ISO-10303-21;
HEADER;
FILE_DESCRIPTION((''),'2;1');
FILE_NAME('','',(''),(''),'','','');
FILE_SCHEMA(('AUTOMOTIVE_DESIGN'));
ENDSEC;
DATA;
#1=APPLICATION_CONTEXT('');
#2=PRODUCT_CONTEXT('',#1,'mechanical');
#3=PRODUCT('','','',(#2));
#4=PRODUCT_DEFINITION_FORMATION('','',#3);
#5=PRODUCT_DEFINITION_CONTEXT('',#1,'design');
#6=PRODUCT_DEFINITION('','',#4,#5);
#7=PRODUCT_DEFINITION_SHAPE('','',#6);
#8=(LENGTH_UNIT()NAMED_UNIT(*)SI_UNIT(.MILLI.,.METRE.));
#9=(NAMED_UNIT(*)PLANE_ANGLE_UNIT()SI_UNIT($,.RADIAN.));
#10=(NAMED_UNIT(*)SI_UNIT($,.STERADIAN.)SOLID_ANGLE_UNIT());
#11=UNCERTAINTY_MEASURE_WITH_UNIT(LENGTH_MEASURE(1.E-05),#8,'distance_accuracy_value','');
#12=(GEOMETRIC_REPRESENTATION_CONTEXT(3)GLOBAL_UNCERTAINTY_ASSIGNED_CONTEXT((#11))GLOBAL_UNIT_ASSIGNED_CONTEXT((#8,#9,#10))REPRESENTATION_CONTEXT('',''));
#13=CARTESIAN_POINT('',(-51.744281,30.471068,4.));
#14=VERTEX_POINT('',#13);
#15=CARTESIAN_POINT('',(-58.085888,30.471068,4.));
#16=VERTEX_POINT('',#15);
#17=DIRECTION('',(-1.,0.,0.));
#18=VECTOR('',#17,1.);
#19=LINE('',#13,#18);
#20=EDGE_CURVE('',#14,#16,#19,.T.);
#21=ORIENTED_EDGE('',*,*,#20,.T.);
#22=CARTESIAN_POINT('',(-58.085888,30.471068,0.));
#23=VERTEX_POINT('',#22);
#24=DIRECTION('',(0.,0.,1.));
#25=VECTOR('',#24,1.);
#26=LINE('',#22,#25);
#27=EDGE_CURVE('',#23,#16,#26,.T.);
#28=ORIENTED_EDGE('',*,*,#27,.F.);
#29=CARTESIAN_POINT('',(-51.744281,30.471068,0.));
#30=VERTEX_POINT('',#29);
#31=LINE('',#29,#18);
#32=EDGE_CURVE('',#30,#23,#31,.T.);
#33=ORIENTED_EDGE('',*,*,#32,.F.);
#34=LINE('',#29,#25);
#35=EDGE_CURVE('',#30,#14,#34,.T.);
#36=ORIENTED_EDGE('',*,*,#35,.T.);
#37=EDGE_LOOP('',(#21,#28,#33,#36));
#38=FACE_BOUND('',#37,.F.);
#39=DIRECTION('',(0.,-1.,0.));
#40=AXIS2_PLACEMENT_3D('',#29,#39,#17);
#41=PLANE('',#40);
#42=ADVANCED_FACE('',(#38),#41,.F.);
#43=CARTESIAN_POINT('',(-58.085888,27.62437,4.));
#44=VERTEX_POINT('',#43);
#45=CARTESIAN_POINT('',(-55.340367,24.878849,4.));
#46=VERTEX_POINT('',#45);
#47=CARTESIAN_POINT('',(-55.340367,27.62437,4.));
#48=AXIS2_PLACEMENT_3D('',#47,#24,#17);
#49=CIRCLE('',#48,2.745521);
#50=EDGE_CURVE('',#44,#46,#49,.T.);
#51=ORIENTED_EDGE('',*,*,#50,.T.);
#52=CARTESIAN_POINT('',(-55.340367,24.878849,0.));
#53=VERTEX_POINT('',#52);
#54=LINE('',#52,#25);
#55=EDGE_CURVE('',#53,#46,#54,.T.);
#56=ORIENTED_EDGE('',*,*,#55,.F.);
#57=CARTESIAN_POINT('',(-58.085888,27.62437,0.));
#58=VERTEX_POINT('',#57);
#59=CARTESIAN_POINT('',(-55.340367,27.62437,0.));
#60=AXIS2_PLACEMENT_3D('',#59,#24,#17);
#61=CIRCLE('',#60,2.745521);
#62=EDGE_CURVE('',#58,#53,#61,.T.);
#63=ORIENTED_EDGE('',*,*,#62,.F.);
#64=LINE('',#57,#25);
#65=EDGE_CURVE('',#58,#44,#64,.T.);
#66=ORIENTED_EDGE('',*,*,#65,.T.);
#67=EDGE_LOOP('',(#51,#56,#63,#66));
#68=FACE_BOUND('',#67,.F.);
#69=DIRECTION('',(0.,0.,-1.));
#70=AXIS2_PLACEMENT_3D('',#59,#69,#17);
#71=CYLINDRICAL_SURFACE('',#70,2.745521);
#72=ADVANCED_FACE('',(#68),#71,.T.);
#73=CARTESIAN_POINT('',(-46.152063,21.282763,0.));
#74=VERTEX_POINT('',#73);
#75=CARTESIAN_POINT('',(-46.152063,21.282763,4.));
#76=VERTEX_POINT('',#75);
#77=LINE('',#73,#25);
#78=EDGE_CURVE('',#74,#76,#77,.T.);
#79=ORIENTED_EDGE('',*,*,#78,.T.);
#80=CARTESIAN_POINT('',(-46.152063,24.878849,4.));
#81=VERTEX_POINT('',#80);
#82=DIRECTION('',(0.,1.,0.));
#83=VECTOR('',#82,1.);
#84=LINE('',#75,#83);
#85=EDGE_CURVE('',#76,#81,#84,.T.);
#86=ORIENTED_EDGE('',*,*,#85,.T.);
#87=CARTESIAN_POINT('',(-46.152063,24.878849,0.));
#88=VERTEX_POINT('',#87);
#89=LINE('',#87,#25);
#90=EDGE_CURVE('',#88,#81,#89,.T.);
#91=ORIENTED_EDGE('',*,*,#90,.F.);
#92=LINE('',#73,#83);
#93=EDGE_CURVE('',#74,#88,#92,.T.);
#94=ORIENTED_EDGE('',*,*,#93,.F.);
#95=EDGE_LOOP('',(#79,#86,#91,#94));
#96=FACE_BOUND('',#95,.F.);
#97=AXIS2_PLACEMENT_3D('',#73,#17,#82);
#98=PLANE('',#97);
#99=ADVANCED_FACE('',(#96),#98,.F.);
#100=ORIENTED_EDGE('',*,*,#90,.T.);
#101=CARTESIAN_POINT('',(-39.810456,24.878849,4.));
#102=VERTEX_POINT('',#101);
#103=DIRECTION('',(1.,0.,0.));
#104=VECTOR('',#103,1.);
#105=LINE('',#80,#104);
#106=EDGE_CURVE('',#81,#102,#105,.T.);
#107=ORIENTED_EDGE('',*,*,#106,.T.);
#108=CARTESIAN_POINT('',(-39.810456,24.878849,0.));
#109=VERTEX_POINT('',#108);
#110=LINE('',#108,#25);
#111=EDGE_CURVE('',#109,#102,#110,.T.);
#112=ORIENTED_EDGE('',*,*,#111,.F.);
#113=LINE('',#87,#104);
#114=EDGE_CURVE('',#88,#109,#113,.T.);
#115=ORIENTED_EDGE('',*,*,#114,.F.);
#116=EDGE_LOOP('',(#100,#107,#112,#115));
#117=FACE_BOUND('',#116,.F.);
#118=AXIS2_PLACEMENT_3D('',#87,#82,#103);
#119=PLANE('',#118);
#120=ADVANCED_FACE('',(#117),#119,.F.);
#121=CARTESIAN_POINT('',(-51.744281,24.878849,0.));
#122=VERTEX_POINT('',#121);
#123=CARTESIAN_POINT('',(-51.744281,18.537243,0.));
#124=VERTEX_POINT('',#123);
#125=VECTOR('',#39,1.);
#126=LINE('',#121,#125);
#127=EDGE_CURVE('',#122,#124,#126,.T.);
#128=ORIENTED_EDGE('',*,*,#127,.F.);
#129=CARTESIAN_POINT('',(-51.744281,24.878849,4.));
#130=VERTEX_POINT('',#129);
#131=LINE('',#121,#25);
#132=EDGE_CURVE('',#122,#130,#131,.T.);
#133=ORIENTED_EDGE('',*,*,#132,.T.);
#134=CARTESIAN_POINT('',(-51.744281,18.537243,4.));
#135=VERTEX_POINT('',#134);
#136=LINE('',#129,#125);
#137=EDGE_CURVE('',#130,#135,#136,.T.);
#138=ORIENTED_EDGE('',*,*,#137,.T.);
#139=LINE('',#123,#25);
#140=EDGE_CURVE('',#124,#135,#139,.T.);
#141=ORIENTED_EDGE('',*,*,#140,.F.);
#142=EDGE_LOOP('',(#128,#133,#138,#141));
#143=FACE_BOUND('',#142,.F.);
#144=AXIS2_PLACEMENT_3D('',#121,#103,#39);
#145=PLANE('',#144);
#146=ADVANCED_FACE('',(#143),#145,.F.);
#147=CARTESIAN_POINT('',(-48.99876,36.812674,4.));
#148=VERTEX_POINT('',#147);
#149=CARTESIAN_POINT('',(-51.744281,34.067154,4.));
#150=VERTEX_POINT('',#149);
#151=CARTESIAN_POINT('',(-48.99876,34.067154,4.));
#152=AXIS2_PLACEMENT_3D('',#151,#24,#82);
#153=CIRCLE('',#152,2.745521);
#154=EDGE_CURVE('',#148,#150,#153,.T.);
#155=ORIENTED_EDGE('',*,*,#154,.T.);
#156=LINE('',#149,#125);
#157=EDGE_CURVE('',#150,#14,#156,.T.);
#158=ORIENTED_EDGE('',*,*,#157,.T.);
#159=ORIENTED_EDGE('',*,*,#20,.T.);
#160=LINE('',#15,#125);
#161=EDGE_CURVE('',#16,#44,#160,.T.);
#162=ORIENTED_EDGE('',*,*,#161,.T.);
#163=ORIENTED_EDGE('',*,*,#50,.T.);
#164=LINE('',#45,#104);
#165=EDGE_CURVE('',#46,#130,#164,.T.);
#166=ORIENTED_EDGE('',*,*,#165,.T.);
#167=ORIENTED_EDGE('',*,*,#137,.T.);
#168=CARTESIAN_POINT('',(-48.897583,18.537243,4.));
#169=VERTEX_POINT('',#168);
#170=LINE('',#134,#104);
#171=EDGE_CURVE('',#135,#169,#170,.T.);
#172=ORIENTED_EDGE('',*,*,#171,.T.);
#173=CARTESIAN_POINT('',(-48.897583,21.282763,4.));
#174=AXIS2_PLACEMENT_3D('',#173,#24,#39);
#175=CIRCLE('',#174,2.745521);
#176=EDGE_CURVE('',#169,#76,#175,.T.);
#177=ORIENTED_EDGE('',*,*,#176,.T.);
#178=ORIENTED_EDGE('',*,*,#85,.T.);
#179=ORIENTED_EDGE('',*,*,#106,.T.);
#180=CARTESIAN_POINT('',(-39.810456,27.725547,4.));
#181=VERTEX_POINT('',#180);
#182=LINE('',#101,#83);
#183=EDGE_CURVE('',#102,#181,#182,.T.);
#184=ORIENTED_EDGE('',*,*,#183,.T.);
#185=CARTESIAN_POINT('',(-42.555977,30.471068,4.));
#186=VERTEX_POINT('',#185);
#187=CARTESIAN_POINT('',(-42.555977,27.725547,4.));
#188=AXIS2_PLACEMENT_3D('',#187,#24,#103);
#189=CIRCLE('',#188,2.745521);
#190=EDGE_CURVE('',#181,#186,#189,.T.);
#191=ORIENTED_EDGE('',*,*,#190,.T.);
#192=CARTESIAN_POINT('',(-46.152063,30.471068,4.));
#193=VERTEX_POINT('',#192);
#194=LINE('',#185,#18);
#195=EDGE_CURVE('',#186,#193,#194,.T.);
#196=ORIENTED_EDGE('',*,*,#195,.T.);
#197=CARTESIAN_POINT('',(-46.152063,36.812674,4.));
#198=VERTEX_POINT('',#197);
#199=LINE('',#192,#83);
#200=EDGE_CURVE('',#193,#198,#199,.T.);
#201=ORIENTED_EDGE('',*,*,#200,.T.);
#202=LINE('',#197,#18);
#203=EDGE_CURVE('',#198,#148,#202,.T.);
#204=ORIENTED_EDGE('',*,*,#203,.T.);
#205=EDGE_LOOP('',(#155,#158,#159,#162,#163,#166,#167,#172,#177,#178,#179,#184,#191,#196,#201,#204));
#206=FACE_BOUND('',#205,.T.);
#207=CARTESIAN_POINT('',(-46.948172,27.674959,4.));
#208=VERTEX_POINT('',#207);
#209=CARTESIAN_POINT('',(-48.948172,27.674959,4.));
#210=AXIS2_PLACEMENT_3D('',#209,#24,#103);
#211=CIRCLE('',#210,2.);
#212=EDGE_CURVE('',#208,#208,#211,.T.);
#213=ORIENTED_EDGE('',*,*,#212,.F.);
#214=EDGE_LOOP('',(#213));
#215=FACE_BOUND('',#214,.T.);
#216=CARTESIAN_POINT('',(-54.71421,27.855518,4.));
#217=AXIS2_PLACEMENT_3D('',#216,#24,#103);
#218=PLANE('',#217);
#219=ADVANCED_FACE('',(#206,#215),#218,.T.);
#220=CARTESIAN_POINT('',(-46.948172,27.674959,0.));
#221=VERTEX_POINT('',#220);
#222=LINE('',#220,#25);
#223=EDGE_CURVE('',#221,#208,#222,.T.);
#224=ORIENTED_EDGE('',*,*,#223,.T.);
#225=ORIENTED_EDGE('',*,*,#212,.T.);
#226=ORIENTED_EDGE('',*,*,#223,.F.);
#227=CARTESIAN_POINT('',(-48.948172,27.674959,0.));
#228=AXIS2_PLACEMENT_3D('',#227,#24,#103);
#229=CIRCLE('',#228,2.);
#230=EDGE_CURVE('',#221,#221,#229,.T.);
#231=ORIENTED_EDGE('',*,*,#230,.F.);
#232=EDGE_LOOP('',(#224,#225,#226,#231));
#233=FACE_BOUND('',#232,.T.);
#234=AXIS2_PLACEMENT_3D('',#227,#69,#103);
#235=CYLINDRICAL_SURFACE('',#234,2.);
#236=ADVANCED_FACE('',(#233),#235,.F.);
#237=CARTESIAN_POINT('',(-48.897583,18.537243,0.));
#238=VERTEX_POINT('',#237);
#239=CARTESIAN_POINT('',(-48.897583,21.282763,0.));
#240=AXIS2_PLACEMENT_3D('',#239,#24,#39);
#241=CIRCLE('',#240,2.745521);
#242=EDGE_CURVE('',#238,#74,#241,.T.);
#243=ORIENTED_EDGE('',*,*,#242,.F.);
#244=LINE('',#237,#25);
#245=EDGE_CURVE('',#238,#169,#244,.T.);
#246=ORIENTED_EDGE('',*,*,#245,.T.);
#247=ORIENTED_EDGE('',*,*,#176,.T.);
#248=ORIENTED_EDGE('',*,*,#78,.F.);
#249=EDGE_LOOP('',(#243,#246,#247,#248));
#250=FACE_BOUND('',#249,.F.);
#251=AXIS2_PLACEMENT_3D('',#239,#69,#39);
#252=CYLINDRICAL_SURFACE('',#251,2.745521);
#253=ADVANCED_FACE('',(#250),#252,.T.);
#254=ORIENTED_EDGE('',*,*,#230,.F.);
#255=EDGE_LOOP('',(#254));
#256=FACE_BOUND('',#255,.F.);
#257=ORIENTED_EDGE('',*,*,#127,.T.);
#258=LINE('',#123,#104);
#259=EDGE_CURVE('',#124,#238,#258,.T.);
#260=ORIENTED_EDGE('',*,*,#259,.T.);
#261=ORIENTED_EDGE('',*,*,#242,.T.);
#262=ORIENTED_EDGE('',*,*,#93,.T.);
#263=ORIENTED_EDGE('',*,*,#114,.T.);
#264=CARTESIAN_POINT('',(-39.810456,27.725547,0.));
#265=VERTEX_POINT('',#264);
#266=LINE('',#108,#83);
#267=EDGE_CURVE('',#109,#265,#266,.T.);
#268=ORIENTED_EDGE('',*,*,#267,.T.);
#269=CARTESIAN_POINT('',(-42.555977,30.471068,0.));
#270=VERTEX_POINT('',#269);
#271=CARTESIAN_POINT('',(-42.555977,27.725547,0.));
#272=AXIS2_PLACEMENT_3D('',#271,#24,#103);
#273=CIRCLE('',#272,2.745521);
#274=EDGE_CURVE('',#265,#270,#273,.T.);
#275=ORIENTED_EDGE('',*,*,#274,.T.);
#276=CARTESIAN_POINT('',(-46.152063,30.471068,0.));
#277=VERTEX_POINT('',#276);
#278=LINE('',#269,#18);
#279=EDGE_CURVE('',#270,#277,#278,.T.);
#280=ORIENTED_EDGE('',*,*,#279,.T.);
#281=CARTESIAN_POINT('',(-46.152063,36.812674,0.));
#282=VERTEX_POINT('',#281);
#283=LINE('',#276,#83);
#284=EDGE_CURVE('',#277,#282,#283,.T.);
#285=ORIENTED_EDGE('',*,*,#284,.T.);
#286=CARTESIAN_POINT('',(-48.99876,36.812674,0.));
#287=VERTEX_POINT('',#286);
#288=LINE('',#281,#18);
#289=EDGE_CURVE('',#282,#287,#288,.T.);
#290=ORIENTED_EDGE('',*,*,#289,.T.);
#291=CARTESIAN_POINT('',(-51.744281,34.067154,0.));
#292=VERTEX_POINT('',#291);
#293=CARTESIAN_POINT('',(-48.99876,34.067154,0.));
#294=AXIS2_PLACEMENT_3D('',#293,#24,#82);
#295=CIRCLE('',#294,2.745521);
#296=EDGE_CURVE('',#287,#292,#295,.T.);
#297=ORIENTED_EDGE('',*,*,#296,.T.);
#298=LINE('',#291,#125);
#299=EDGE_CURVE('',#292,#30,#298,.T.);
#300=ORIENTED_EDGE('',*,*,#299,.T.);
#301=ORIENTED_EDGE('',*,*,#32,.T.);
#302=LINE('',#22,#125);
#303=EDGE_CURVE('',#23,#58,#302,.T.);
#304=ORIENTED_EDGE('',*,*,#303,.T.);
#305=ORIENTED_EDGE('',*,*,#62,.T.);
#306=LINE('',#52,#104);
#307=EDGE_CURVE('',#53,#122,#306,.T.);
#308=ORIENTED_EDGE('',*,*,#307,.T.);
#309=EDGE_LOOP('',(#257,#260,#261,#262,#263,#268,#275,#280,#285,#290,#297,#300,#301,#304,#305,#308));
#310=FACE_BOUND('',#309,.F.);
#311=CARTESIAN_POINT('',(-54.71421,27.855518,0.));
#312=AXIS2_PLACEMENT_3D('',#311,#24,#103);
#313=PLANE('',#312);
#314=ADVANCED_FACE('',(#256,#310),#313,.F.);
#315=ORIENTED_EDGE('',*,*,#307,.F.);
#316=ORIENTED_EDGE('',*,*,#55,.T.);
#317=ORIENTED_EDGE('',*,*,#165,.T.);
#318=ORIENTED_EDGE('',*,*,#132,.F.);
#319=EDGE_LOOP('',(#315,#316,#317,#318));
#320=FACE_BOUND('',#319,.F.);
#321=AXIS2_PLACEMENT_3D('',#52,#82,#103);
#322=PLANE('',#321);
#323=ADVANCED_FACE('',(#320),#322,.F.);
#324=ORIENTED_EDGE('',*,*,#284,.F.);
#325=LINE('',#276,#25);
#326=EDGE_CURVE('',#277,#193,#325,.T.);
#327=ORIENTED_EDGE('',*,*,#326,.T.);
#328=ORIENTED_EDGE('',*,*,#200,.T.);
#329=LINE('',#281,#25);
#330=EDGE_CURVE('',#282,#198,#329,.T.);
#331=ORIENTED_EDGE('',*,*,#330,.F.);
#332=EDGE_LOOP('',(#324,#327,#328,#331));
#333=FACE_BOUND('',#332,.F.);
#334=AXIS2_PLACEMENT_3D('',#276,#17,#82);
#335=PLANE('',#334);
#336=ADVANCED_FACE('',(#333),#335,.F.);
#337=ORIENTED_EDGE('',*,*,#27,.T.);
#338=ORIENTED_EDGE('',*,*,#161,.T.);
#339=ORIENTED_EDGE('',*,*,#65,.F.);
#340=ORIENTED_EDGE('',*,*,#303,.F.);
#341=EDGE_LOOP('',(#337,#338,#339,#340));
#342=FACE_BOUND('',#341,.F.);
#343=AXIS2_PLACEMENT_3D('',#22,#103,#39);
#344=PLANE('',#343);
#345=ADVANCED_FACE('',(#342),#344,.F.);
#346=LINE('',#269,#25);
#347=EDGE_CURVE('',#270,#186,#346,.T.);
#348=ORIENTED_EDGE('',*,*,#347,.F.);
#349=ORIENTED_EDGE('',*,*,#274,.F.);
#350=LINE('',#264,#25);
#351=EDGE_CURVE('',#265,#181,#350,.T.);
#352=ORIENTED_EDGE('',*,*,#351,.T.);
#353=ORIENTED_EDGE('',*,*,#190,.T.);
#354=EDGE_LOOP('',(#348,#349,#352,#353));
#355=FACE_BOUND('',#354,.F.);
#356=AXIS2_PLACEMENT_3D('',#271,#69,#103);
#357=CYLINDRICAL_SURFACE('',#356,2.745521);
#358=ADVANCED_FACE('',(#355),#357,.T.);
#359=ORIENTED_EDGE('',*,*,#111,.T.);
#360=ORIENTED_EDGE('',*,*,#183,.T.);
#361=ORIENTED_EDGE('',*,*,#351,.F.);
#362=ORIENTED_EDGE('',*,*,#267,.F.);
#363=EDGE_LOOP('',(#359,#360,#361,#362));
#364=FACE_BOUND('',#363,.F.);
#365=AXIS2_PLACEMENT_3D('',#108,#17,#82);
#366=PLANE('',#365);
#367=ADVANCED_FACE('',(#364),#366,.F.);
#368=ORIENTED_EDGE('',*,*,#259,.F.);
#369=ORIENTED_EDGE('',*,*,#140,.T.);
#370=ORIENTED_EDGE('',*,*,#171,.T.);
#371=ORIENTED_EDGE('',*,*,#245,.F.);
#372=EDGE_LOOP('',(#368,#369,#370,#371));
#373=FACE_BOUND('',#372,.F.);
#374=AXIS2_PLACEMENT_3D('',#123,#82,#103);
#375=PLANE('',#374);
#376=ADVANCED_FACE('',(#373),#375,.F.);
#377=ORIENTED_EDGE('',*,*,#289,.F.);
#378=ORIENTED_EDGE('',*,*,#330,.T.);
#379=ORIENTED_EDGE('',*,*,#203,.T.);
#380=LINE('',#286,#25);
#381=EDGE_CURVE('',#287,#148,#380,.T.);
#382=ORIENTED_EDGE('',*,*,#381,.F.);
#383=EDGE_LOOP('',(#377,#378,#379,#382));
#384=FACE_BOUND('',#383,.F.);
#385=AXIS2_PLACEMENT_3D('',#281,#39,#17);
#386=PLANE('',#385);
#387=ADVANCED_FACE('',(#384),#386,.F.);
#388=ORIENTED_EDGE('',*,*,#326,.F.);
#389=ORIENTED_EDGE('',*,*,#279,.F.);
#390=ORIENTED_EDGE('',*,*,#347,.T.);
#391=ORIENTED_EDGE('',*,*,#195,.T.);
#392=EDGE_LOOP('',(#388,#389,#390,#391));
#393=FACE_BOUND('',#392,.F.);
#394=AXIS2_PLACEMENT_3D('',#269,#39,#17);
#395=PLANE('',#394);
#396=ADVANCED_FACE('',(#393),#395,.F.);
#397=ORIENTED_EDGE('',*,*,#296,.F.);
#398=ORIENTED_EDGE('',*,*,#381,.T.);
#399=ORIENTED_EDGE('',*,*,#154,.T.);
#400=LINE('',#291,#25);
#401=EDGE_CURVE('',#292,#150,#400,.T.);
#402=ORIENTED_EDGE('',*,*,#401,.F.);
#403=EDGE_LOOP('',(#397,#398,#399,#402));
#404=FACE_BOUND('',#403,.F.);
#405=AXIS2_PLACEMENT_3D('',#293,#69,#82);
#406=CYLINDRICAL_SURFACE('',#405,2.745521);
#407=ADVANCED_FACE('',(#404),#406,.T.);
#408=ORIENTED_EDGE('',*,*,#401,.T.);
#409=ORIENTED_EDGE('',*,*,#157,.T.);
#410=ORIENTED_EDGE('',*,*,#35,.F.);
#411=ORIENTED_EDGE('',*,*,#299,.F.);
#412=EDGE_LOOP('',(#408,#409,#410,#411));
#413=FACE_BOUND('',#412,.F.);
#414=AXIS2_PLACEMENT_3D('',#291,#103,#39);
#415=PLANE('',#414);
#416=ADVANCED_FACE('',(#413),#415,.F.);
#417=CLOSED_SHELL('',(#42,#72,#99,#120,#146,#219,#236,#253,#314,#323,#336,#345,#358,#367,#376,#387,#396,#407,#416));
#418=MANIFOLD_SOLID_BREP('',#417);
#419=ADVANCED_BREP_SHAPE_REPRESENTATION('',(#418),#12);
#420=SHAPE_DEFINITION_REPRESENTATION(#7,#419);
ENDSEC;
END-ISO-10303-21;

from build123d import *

# Parameters (mm, degrees)
F0_W     = 5.5922182249
F0_H     = 5.5922182249
F0_R     = 2
F1_DEPTH = 4


with BuildPart() as f1:
    # F0 (on Top) → F1 (new body)
    with BuildSketch(Plane.XY):
        with BuildLine():
            Line((-51.744280939, 30.471067643), (-58.0858875501, 30.471067643))
            Line((-58.0858875501, 30.471067643), (-58.0858875501, 27.6243700476))
            ThreePointArc((-58.0858875501, 27.6243700476), (-57.2817431756, 25.6829937927), (-55.3403669206, 24.8788494182))
            Line((-55.3403669206, 24.8788494182), (-51.744280939, 24.8788494182))
            Line((-51.744280939, 24.8788494182), (-51.744280939, 30.471067643))
        make_face()
        with BuildLine():
            Line((-51.744280939, 34.0671536247), (-51.744280939, 30.471067643))
            Line((-51.744280939, 30.471067643), (-46.1520627141, 30.471067643))
            Line((-46.1520627141, 30.471067643), (-46.1520627141, 36.8126742542))
            Line((-46.1520627141, 36.8126742542), (-48.9987603095, 36.8126742542))
            ThreePointArc((-48.9987603095, 36.8126742542), (-50.9401365645, 36.0085298797), (-51.744280939, 34.0671536247))
        make_face()
        with Locations((-48.9481718265, 27.6749585306)):
            Rectangle(F0_W, F0_H)
        with Locations((-48.9481718265, 27.6749585306)):
            Circle(F0_R, mode=Mode.SUBTRACT)
        with BuildLine():
            Line((-42.5559767324, 30.471067643), (-46.1520627141, 30.471067643))
            Line((-46.1520627141, 30.471067643), (-46.1520627141, 24.8788494182))
            Line((-46.1520627141, 24.8788494182), (-39.810456103, 24.8788494182))
            Line((-39.810456103, 24.8788494182), (-39.810456103, 27.7255470136))
            ThreePointArc((-39.810456103, 27.7255470136), (-40.6146004774, 29.6669232686), (-42.5559767324, 30.471067643))
        make_face()
        with BuildLine():
            Line((-46.1520627141, 24.8788494182), (-51.744280939, 24.8788494182))
            Line((-51.744280939, 24.8788494182), (-51.744280939, 18.537242807))
            Line((-51.744280939, 18.537242807), (-48.8975833436, 18.537242807))
            ThreePointArc((-48.8975833436, 18.537242807), (-46.9562070886, 19.3413871815), (-46.1520627141, 21.2827634365))
            Line((-46.1520627141, 21.2827634365), (-46.1520627141, 24.8788494182))
        make_face()
    extrude(amount=F1_DEPTH)


solid = f1.part
